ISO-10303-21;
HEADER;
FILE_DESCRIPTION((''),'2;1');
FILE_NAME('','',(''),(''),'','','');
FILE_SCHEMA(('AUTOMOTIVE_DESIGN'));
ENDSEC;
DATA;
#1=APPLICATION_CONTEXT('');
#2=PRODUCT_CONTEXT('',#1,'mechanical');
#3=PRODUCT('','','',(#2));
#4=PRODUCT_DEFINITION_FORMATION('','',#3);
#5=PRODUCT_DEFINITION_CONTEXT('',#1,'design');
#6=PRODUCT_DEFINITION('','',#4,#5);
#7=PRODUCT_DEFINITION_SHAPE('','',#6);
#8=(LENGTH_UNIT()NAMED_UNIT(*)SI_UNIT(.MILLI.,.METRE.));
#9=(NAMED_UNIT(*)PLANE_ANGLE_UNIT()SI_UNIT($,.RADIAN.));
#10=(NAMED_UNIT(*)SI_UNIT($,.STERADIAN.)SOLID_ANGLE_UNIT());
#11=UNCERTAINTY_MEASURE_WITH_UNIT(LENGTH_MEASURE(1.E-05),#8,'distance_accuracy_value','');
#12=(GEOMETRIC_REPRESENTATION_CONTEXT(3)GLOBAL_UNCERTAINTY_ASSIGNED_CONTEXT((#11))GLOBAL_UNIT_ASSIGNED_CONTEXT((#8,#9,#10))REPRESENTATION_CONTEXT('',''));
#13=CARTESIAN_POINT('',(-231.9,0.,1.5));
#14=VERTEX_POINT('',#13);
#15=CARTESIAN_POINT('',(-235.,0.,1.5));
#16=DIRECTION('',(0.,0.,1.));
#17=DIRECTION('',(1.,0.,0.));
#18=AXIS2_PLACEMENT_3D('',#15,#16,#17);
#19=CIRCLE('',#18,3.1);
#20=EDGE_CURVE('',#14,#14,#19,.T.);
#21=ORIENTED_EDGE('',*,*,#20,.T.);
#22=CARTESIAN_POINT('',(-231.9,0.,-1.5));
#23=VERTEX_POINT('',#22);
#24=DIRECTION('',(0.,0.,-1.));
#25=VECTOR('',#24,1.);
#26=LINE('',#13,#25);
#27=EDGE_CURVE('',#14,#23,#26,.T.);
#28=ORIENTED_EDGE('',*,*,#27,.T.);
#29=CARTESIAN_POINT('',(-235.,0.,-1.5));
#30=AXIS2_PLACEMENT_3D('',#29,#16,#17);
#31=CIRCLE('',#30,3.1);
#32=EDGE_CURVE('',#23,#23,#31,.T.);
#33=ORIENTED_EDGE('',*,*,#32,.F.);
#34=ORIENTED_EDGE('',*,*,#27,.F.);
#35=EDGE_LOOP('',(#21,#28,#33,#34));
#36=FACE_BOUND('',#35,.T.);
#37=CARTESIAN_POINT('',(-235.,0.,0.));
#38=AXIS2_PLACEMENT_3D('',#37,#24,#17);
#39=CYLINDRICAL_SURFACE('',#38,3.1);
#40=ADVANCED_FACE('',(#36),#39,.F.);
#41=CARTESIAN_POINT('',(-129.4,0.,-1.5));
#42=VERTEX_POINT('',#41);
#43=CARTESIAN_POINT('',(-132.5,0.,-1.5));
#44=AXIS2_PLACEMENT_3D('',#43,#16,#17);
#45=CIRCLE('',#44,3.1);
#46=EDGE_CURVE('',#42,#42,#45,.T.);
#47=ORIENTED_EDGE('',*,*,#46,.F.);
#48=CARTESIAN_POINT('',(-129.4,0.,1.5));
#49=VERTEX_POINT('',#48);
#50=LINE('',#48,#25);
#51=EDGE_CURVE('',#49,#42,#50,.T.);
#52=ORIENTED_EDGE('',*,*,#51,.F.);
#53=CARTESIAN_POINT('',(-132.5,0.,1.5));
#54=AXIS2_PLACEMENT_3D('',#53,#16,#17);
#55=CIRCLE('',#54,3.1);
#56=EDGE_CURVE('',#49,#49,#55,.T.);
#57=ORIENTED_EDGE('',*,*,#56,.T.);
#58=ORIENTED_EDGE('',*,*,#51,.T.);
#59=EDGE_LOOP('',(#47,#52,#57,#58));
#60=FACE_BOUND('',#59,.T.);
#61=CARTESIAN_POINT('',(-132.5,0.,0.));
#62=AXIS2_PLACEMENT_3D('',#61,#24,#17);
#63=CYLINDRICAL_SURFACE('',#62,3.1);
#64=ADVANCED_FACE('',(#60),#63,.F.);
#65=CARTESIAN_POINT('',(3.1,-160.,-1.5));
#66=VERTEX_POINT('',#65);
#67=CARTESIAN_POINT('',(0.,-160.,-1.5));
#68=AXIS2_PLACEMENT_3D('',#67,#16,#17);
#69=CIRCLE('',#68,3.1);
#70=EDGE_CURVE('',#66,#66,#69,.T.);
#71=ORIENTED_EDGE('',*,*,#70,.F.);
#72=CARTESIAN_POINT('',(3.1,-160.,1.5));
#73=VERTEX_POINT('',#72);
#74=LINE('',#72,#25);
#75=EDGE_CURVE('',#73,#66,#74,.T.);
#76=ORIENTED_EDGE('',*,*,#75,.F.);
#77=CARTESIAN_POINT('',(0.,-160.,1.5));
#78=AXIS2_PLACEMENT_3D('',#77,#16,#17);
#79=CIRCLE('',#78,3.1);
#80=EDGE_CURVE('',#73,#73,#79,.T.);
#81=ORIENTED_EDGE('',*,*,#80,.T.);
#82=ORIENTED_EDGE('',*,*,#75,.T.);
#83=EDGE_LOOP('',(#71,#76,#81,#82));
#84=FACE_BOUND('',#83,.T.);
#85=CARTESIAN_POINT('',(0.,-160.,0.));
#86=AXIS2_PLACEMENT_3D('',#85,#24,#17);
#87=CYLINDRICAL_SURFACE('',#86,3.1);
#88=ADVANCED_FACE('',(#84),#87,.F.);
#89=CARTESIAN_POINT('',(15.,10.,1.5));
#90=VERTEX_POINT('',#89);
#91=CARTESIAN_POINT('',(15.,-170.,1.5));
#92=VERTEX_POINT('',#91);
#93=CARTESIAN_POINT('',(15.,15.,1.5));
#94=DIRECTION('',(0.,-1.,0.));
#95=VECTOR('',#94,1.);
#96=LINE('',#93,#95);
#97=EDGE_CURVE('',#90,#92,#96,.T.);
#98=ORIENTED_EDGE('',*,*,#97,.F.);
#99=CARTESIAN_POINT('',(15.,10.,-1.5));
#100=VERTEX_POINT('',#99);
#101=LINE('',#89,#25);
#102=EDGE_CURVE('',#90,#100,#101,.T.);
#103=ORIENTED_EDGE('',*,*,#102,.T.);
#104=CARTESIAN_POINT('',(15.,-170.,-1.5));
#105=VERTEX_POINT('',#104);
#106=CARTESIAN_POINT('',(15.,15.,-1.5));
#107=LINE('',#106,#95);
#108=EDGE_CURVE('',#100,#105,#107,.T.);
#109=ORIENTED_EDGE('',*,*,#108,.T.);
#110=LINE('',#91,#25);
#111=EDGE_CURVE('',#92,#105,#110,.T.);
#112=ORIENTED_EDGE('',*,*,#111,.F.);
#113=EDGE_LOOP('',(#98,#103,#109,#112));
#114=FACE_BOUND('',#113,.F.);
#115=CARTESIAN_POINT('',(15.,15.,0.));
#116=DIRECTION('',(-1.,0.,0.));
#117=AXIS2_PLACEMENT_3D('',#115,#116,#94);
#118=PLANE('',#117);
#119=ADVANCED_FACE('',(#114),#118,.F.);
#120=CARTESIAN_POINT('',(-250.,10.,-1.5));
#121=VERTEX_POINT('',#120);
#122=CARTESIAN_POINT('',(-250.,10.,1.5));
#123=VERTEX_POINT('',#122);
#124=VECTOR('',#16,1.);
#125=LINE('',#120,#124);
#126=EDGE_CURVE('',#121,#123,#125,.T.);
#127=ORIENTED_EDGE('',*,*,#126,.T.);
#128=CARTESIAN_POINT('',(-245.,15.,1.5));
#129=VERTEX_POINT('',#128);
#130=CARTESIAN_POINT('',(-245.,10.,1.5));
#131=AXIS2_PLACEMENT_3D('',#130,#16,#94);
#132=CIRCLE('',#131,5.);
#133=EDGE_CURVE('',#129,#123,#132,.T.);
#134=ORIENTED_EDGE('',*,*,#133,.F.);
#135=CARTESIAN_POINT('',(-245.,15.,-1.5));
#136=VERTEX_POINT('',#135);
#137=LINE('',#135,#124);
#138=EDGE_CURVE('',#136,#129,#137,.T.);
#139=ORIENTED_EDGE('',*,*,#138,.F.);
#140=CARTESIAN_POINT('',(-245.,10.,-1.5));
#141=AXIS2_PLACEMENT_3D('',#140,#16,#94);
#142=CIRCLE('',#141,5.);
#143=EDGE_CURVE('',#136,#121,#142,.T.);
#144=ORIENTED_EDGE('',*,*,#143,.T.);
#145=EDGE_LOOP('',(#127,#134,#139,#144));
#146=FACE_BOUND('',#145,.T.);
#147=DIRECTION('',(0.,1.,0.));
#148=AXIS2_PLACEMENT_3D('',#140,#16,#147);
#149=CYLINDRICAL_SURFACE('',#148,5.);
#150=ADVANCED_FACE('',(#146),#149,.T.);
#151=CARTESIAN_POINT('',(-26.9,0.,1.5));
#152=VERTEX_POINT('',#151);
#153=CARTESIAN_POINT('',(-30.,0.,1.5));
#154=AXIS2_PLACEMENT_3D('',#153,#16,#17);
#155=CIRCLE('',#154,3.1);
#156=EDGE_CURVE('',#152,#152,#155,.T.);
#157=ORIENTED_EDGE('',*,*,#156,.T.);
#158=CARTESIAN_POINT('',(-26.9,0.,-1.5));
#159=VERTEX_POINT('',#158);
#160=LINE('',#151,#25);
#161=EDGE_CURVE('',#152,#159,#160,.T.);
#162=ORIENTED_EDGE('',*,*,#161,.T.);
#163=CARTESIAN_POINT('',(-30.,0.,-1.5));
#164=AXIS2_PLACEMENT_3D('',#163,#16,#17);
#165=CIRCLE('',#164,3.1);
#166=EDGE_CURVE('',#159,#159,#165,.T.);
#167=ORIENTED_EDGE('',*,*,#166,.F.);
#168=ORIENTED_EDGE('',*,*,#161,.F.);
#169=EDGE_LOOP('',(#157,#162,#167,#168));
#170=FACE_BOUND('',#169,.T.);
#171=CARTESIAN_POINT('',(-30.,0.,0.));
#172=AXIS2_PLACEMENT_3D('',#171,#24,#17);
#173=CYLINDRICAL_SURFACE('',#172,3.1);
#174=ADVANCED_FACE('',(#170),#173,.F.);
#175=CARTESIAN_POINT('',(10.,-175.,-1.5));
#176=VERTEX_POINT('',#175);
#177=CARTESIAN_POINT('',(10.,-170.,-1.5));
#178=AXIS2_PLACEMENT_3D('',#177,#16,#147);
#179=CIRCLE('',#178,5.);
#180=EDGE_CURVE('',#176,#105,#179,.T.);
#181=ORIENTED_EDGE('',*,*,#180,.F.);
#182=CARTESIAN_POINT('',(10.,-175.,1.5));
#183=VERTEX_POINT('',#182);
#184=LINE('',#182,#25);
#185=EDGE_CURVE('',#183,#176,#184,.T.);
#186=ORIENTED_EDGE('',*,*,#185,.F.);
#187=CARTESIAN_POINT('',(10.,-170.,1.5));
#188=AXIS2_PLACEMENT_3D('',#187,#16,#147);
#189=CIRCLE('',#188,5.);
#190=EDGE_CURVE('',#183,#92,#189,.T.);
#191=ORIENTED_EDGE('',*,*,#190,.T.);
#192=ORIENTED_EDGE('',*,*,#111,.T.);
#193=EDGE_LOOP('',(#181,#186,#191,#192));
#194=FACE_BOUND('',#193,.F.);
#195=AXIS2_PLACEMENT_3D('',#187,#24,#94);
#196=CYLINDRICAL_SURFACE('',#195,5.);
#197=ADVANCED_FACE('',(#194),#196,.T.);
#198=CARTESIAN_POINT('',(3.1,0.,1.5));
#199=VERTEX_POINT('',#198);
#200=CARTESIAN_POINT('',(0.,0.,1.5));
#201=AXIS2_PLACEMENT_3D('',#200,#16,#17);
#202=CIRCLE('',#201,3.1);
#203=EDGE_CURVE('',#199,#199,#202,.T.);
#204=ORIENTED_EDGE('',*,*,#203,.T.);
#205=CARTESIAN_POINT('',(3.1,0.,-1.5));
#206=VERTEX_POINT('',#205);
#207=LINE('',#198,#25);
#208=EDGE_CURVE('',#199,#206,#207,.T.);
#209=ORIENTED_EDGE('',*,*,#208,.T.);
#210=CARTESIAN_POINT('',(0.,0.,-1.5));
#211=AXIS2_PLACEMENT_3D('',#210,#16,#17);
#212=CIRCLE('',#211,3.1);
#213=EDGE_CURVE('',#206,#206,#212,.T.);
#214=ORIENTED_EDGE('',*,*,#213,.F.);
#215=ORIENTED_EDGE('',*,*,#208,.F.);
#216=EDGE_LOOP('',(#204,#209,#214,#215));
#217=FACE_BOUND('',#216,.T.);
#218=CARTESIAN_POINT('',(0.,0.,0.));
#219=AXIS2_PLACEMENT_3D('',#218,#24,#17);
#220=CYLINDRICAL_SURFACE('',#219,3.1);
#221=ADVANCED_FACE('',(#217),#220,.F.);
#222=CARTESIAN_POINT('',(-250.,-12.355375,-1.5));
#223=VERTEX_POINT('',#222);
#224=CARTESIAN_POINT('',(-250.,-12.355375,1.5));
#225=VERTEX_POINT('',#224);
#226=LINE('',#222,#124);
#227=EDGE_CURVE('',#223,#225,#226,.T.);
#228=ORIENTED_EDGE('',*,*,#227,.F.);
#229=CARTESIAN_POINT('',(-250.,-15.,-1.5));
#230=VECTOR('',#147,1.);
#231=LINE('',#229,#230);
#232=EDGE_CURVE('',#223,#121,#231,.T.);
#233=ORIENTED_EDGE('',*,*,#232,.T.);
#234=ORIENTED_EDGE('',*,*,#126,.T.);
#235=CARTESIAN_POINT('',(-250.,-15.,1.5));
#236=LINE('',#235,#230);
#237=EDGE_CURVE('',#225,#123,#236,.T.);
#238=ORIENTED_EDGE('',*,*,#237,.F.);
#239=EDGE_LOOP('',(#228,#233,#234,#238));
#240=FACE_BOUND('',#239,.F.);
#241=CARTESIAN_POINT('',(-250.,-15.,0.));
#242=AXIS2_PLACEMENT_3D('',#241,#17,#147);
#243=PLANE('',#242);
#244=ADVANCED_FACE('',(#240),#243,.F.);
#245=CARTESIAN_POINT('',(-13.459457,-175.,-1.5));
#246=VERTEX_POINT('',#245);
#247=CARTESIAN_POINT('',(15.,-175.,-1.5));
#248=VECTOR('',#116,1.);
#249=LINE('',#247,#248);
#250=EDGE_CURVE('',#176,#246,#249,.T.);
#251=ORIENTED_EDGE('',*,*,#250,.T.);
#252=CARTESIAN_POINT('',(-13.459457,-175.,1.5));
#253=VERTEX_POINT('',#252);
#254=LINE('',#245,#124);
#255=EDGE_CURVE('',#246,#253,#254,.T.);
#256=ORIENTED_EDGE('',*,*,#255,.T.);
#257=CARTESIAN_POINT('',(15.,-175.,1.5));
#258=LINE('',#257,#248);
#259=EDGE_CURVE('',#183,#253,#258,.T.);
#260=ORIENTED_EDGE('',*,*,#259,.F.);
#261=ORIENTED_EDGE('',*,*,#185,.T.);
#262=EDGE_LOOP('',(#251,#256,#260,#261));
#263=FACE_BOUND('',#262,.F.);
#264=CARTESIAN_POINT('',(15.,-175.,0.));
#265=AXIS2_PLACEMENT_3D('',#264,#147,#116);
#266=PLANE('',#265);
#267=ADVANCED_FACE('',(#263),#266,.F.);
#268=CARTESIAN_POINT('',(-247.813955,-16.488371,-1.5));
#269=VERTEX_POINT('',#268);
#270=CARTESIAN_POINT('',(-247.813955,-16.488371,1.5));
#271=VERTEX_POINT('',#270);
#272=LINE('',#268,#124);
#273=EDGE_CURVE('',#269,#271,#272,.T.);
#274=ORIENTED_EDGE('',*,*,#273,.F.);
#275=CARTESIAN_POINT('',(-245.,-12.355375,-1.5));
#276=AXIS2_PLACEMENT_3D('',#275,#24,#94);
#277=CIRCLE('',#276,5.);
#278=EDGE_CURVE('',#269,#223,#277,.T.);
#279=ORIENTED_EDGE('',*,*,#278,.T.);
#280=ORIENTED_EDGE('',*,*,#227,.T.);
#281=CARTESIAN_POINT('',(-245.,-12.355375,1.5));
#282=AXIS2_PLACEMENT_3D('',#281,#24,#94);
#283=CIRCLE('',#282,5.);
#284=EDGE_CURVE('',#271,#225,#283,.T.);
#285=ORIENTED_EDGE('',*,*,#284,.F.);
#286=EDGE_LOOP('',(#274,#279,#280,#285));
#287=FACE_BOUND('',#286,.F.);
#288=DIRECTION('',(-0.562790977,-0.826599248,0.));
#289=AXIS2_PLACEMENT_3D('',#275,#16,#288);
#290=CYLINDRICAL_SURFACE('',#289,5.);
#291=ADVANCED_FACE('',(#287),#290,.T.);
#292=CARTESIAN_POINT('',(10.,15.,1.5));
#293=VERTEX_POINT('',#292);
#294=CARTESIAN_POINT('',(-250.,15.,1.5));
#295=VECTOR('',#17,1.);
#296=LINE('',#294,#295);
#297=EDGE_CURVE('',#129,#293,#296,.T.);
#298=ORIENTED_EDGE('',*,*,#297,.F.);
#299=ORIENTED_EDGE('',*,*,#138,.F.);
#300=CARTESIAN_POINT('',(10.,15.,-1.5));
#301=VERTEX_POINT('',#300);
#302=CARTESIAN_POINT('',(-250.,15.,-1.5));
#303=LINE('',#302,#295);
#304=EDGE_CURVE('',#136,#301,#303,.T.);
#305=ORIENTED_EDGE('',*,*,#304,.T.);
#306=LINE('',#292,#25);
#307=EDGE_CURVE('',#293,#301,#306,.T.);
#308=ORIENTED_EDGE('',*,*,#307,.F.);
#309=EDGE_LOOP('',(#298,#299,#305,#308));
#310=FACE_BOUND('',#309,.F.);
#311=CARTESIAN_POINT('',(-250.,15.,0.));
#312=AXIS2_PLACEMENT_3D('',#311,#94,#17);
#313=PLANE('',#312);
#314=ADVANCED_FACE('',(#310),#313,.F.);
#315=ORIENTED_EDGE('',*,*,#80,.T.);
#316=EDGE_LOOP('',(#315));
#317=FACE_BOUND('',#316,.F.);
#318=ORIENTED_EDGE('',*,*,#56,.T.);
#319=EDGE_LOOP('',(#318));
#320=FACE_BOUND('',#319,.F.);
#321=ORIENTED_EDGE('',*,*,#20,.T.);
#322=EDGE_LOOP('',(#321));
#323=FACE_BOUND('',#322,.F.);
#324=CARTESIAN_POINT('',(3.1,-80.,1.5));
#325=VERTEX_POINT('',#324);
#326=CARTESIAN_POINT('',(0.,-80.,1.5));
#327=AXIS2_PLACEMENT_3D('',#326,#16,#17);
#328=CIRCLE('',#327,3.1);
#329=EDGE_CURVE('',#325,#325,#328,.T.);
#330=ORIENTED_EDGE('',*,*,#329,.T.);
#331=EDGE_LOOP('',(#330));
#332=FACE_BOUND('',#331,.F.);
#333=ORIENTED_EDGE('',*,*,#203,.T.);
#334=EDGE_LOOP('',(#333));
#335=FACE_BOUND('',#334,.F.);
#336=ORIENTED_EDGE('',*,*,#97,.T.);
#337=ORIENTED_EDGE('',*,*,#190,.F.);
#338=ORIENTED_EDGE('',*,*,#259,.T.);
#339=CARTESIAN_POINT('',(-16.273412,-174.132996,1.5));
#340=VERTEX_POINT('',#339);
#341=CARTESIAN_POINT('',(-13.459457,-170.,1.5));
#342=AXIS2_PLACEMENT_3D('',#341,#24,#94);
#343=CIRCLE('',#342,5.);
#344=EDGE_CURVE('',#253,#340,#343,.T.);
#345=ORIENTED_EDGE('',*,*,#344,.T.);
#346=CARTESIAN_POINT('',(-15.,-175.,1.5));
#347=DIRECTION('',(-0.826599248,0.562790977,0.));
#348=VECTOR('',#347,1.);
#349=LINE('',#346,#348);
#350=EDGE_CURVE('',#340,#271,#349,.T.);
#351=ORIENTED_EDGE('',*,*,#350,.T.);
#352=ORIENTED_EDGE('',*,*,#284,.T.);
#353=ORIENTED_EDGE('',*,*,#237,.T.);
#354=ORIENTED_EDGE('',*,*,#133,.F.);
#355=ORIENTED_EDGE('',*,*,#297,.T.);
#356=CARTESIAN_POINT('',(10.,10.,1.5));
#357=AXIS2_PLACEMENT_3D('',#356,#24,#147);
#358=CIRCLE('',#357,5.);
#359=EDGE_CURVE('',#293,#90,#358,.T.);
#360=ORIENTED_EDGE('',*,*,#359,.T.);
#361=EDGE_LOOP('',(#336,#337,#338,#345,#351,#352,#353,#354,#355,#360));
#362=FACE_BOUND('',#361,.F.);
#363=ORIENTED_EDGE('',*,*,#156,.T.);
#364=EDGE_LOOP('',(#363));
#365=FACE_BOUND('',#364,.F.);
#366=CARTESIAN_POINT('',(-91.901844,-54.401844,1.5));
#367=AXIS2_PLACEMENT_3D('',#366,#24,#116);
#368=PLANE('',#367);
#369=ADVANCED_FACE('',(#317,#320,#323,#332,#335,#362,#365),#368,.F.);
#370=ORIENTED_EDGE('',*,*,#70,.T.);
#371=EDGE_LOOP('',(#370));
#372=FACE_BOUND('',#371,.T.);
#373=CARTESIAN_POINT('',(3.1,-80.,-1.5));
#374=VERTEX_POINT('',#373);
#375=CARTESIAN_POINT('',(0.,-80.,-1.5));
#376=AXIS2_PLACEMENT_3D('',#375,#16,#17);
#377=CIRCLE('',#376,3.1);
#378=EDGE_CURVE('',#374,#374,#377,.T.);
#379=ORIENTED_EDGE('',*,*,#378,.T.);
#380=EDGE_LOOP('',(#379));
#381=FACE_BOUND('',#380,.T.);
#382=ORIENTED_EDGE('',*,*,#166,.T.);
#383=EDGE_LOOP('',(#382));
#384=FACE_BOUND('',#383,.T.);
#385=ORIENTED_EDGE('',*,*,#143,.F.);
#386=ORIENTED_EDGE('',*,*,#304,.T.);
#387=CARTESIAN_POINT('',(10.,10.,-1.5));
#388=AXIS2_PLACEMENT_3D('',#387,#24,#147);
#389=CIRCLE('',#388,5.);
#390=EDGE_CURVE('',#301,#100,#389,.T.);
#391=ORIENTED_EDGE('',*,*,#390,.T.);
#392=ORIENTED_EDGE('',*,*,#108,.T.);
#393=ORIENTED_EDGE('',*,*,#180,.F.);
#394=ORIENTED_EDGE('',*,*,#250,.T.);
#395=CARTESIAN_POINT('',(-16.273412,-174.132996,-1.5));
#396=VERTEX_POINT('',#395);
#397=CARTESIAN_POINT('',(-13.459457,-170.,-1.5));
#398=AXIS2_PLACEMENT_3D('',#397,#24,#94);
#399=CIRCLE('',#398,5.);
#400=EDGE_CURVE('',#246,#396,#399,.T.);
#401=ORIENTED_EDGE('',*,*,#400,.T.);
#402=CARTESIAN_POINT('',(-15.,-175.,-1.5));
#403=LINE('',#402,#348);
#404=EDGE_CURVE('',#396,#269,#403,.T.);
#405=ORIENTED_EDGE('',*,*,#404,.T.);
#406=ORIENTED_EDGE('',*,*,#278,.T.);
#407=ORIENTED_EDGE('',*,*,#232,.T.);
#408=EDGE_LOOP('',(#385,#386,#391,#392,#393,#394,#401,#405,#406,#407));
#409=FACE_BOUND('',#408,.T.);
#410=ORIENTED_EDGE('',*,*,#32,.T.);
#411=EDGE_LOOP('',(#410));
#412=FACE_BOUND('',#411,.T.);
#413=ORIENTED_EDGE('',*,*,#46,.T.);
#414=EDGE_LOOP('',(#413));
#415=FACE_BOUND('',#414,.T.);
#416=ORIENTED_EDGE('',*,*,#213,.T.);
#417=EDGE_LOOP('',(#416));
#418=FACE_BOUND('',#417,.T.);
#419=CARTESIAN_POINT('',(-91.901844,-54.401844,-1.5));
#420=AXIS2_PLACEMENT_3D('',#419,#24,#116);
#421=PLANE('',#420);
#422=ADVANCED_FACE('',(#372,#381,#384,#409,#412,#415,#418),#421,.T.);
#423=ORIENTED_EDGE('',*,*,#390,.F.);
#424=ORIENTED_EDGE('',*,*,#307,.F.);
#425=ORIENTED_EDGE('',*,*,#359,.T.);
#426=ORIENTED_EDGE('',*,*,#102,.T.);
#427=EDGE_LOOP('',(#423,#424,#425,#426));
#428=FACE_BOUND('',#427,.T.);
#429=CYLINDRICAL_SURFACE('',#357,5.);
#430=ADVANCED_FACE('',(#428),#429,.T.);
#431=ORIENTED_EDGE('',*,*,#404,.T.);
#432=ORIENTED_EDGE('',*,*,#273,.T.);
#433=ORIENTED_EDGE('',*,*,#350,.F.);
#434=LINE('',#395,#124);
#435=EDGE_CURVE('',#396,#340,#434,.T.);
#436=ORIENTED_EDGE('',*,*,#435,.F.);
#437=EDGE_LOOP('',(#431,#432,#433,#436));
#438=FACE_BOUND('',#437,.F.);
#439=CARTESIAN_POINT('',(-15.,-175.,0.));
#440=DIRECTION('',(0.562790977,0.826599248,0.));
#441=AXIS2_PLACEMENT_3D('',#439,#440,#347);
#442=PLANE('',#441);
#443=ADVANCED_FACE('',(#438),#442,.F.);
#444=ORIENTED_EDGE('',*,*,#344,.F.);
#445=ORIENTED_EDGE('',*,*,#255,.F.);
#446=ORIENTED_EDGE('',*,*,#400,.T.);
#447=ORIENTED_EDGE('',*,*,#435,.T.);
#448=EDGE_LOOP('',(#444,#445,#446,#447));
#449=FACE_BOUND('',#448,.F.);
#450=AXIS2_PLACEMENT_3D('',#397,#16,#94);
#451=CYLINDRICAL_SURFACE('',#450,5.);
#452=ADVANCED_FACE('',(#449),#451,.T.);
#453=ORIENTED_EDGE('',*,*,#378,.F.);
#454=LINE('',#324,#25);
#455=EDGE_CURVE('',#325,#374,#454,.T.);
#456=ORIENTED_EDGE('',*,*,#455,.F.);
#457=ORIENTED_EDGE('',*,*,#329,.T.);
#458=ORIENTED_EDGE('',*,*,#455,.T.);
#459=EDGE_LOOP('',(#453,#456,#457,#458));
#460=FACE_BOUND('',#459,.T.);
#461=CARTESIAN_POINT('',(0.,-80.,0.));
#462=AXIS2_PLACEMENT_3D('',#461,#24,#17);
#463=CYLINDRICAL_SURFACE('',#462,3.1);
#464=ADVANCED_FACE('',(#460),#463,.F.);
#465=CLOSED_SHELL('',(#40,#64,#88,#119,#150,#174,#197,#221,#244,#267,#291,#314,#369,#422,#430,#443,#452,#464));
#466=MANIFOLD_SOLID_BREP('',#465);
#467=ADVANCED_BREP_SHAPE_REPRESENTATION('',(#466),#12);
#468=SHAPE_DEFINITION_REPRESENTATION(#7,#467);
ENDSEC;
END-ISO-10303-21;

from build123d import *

# Parameters (mm, degrees)
SKETCH_R  = 3.1
PAD_DEPTH = 1.5
FILLET_R  = 5


with BuildPart() as part:
    # Sketch → Pad (new body, symmetric)
    with BuildSketch(Plane.XY):
        Polygon((-250, 15), (15, 15), (15, -175), (-15, -175), (-250, -15), align=None)
        Circle(SKETCH_R, mode=Mode.SUBTRACT)
        with Locations((0, -160)):
            Circle(SKETCH_R, mode=Mode.SUBTRACT)
        with Locations((-30, 0)):
            Circle(SKETCH_R, mode=Mode.SUBTRACT)
        with Locations((-235, 0)):
            Circle(SKETCH_R, mode=Mode.SUBTRACT)
        with Locations((-132.5, 0)):
            Circle(SKETCH_R, mode=Mode.SUBTRACT)
        with Locations((0, -80)):
            Circle(SKETCH_R, mode=Mode.SUBTRACT)
    extrude(amount=PAD_DEPTH, both=True)

    # Fillet
    fillet_edges = [part.edges().sort_by_distance(p)[0] for p in [
        (-250, 15, 0),
        (-250, -15, 0),
        (15, 15, 0),
        (-15, -175, 0),
        (15, -175, 0),
    ]]
    fillet(fillet_edges, radius=FILLET_R)


solid = part.part
